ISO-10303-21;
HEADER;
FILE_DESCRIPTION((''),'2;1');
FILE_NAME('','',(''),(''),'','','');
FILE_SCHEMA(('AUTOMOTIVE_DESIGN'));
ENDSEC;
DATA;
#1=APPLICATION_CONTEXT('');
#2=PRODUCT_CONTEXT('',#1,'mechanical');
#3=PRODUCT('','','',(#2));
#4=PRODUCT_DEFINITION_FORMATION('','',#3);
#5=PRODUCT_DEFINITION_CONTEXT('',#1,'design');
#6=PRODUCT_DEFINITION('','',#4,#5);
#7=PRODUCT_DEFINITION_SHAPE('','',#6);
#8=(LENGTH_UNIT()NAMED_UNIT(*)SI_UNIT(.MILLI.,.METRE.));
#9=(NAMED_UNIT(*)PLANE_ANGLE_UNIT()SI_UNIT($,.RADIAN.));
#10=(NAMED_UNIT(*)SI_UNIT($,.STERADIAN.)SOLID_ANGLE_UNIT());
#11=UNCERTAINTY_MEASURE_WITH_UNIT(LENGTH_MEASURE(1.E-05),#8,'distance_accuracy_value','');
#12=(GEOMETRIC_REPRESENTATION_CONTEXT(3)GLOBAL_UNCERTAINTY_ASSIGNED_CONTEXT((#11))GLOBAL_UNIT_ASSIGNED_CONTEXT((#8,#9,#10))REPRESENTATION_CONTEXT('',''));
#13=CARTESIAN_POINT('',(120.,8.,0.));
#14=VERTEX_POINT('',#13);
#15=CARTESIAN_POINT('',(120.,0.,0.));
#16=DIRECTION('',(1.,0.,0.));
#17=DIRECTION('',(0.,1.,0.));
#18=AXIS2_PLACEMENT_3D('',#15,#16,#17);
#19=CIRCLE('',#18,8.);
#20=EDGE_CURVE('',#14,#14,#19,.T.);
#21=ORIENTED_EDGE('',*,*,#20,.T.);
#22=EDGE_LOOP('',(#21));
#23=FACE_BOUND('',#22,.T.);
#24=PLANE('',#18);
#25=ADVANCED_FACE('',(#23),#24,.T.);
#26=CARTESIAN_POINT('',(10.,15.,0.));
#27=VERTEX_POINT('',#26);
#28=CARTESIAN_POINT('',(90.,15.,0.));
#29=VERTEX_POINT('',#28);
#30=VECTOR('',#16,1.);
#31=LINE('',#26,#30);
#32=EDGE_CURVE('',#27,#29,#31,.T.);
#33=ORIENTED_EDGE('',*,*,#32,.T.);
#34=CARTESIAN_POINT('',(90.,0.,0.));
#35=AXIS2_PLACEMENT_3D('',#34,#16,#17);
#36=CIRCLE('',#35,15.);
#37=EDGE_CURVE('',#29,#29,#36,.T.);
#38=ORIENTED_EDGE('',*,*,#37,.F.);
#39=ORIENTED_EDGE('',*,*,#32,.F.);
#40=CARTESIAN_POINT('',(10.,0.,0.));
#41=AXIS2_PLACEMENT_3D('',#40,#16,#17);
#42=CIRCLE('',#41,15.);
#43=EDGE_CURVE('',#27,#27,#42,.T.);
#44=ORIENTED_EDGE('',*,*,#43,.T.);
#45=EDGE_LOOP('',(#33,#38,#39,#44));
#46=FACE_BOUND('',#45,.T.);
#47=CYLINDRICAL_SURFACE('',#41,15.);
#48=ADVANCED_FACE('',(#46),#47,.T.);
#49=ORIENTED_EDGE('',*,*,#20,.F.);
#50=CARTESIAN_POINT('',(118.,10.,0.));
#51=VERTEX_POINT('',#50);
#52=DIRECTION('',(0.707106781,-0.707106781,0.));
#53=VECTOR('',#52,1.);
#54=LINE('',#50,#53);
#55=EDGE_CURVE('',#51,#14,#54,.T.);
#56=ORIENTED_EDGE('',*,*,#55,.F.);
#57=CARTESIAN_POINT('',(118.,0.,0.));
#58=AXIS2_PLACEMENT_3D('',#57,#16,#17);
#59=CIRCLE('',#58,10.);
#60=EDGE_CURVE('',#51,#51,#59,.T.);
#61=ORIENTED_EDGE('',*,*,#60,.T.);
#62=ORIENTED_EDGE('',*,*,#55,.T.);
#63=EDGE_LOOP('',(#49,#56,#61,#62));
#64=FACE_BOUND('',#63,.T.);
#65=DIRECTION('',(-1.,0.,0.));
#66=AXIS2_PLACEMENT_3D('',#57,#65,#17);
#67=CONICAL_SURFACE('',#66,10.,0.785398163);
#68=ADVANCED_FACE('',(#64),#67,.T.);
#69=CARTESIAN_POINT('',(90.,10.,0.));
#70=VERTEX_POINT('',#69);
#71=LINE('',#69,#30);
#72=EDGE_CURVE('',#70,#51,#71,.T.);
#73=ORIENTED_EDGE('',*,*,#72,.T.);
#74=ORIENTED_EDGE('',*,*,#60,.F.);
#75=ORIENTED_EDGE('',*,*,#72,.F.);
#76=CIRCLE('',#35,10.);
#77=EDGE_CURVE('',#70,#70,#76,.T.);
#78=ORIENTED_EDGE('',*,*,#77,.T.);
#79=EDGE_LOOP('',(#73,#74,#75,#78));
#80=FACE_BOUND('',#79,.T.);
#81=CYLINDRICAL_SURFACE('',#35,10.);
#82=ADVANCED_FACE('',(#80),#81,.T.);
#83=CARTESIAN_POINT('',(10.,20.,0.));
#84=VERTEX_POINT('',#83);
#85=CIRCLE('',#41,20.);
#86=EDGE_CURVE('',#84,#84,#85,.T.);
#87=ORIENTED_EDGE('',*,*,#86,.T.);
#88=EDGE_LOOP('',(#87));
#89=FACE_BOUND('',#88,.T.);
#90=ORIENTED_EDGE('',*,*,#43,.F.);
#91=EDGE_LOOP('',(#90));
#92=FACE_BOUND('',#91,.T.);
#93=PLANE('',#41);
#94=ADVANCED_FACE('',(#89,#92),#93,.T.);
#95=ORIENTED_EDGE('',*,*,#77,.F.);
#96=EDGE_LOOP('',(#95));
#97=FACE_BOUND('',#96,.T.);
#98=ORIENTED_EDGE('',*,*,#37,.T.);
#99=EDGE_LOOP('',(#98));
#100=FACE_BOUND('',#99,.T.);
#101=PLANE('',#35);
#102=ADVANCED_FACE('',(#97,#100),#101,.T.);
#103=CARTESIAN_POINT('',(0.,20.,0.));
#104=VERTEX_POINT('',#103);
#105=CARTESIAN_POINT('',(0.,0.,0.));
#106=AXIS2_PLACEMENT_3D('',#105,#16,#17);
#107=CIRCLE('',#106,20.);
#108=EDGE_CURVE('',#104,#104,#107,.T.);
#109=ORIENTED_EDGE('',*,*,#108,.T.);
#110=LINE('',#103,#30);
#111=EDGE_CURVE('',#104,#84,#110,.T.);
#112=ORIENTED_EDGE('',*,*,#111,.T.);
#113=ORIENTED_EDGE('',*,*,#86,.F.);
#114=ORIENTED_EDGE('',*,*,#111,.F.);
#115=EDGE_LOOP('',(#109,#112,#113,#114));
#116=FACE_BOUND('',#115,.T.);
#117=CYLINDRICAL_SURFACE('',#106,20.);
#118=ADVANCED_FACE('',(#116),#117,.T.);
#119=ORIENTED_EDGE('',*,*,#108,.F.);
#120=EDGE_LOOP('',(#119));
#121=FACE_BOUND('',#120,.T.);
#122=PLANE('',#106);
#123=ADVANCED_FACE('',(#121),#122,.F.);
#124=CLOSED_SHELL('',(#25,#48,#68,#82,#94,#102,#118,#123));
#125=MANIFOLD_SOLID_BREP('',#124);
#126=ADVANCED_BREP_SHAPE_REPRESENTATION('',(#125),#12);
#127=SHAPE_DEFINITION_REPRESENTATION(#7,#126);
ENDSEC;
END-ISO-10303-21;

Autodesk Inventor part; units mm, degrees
ref_plane "Начальная плоскость" through (0, 0, 0) normal (1, 0, 0) x (0, 1, 0)
ref_plane "XZ Plane" through (0, 0, 0) normal (0, 1, 0) x (-1, 0, 0)
ref_plane "XY Plane" through (0, 0, 0) normal (0, 0, 1) x (1, 0, 0)
sketch "Основной эскиз" plane through (0, 0, 0) normal (0, 0, 1) x (1, 0, 0)
  line L0 (0, 0) -> (120, 0)
  line L1 (10, 20) -> (10, 15)
  line L2 (0, 20) -> (10, 20)
  line L3 (90, 15) -> (90, 10)
  line L4 (10, 15) -> (90, 15)
  line L5 (120, 10) -> (120, 0)
  line L6 (90, 10) -> (120, 10)
  line L7 (0, 0) -> (0, 20)
  dimension "d4" = 40
  dimension "d5" = 30
  dimension "d6" = 20
revolve "Вращение1" add sketch "Основной эскиз" angle 360 about axis through (0, 0, 0) along (1, 0, 0)
chamfer "Фаска1" distance 2 angle 45 1 edges at (120, -10, 0) measured on face at (110, 9.9676, -0.8047)
properties part number "Вал" material "Steel"
